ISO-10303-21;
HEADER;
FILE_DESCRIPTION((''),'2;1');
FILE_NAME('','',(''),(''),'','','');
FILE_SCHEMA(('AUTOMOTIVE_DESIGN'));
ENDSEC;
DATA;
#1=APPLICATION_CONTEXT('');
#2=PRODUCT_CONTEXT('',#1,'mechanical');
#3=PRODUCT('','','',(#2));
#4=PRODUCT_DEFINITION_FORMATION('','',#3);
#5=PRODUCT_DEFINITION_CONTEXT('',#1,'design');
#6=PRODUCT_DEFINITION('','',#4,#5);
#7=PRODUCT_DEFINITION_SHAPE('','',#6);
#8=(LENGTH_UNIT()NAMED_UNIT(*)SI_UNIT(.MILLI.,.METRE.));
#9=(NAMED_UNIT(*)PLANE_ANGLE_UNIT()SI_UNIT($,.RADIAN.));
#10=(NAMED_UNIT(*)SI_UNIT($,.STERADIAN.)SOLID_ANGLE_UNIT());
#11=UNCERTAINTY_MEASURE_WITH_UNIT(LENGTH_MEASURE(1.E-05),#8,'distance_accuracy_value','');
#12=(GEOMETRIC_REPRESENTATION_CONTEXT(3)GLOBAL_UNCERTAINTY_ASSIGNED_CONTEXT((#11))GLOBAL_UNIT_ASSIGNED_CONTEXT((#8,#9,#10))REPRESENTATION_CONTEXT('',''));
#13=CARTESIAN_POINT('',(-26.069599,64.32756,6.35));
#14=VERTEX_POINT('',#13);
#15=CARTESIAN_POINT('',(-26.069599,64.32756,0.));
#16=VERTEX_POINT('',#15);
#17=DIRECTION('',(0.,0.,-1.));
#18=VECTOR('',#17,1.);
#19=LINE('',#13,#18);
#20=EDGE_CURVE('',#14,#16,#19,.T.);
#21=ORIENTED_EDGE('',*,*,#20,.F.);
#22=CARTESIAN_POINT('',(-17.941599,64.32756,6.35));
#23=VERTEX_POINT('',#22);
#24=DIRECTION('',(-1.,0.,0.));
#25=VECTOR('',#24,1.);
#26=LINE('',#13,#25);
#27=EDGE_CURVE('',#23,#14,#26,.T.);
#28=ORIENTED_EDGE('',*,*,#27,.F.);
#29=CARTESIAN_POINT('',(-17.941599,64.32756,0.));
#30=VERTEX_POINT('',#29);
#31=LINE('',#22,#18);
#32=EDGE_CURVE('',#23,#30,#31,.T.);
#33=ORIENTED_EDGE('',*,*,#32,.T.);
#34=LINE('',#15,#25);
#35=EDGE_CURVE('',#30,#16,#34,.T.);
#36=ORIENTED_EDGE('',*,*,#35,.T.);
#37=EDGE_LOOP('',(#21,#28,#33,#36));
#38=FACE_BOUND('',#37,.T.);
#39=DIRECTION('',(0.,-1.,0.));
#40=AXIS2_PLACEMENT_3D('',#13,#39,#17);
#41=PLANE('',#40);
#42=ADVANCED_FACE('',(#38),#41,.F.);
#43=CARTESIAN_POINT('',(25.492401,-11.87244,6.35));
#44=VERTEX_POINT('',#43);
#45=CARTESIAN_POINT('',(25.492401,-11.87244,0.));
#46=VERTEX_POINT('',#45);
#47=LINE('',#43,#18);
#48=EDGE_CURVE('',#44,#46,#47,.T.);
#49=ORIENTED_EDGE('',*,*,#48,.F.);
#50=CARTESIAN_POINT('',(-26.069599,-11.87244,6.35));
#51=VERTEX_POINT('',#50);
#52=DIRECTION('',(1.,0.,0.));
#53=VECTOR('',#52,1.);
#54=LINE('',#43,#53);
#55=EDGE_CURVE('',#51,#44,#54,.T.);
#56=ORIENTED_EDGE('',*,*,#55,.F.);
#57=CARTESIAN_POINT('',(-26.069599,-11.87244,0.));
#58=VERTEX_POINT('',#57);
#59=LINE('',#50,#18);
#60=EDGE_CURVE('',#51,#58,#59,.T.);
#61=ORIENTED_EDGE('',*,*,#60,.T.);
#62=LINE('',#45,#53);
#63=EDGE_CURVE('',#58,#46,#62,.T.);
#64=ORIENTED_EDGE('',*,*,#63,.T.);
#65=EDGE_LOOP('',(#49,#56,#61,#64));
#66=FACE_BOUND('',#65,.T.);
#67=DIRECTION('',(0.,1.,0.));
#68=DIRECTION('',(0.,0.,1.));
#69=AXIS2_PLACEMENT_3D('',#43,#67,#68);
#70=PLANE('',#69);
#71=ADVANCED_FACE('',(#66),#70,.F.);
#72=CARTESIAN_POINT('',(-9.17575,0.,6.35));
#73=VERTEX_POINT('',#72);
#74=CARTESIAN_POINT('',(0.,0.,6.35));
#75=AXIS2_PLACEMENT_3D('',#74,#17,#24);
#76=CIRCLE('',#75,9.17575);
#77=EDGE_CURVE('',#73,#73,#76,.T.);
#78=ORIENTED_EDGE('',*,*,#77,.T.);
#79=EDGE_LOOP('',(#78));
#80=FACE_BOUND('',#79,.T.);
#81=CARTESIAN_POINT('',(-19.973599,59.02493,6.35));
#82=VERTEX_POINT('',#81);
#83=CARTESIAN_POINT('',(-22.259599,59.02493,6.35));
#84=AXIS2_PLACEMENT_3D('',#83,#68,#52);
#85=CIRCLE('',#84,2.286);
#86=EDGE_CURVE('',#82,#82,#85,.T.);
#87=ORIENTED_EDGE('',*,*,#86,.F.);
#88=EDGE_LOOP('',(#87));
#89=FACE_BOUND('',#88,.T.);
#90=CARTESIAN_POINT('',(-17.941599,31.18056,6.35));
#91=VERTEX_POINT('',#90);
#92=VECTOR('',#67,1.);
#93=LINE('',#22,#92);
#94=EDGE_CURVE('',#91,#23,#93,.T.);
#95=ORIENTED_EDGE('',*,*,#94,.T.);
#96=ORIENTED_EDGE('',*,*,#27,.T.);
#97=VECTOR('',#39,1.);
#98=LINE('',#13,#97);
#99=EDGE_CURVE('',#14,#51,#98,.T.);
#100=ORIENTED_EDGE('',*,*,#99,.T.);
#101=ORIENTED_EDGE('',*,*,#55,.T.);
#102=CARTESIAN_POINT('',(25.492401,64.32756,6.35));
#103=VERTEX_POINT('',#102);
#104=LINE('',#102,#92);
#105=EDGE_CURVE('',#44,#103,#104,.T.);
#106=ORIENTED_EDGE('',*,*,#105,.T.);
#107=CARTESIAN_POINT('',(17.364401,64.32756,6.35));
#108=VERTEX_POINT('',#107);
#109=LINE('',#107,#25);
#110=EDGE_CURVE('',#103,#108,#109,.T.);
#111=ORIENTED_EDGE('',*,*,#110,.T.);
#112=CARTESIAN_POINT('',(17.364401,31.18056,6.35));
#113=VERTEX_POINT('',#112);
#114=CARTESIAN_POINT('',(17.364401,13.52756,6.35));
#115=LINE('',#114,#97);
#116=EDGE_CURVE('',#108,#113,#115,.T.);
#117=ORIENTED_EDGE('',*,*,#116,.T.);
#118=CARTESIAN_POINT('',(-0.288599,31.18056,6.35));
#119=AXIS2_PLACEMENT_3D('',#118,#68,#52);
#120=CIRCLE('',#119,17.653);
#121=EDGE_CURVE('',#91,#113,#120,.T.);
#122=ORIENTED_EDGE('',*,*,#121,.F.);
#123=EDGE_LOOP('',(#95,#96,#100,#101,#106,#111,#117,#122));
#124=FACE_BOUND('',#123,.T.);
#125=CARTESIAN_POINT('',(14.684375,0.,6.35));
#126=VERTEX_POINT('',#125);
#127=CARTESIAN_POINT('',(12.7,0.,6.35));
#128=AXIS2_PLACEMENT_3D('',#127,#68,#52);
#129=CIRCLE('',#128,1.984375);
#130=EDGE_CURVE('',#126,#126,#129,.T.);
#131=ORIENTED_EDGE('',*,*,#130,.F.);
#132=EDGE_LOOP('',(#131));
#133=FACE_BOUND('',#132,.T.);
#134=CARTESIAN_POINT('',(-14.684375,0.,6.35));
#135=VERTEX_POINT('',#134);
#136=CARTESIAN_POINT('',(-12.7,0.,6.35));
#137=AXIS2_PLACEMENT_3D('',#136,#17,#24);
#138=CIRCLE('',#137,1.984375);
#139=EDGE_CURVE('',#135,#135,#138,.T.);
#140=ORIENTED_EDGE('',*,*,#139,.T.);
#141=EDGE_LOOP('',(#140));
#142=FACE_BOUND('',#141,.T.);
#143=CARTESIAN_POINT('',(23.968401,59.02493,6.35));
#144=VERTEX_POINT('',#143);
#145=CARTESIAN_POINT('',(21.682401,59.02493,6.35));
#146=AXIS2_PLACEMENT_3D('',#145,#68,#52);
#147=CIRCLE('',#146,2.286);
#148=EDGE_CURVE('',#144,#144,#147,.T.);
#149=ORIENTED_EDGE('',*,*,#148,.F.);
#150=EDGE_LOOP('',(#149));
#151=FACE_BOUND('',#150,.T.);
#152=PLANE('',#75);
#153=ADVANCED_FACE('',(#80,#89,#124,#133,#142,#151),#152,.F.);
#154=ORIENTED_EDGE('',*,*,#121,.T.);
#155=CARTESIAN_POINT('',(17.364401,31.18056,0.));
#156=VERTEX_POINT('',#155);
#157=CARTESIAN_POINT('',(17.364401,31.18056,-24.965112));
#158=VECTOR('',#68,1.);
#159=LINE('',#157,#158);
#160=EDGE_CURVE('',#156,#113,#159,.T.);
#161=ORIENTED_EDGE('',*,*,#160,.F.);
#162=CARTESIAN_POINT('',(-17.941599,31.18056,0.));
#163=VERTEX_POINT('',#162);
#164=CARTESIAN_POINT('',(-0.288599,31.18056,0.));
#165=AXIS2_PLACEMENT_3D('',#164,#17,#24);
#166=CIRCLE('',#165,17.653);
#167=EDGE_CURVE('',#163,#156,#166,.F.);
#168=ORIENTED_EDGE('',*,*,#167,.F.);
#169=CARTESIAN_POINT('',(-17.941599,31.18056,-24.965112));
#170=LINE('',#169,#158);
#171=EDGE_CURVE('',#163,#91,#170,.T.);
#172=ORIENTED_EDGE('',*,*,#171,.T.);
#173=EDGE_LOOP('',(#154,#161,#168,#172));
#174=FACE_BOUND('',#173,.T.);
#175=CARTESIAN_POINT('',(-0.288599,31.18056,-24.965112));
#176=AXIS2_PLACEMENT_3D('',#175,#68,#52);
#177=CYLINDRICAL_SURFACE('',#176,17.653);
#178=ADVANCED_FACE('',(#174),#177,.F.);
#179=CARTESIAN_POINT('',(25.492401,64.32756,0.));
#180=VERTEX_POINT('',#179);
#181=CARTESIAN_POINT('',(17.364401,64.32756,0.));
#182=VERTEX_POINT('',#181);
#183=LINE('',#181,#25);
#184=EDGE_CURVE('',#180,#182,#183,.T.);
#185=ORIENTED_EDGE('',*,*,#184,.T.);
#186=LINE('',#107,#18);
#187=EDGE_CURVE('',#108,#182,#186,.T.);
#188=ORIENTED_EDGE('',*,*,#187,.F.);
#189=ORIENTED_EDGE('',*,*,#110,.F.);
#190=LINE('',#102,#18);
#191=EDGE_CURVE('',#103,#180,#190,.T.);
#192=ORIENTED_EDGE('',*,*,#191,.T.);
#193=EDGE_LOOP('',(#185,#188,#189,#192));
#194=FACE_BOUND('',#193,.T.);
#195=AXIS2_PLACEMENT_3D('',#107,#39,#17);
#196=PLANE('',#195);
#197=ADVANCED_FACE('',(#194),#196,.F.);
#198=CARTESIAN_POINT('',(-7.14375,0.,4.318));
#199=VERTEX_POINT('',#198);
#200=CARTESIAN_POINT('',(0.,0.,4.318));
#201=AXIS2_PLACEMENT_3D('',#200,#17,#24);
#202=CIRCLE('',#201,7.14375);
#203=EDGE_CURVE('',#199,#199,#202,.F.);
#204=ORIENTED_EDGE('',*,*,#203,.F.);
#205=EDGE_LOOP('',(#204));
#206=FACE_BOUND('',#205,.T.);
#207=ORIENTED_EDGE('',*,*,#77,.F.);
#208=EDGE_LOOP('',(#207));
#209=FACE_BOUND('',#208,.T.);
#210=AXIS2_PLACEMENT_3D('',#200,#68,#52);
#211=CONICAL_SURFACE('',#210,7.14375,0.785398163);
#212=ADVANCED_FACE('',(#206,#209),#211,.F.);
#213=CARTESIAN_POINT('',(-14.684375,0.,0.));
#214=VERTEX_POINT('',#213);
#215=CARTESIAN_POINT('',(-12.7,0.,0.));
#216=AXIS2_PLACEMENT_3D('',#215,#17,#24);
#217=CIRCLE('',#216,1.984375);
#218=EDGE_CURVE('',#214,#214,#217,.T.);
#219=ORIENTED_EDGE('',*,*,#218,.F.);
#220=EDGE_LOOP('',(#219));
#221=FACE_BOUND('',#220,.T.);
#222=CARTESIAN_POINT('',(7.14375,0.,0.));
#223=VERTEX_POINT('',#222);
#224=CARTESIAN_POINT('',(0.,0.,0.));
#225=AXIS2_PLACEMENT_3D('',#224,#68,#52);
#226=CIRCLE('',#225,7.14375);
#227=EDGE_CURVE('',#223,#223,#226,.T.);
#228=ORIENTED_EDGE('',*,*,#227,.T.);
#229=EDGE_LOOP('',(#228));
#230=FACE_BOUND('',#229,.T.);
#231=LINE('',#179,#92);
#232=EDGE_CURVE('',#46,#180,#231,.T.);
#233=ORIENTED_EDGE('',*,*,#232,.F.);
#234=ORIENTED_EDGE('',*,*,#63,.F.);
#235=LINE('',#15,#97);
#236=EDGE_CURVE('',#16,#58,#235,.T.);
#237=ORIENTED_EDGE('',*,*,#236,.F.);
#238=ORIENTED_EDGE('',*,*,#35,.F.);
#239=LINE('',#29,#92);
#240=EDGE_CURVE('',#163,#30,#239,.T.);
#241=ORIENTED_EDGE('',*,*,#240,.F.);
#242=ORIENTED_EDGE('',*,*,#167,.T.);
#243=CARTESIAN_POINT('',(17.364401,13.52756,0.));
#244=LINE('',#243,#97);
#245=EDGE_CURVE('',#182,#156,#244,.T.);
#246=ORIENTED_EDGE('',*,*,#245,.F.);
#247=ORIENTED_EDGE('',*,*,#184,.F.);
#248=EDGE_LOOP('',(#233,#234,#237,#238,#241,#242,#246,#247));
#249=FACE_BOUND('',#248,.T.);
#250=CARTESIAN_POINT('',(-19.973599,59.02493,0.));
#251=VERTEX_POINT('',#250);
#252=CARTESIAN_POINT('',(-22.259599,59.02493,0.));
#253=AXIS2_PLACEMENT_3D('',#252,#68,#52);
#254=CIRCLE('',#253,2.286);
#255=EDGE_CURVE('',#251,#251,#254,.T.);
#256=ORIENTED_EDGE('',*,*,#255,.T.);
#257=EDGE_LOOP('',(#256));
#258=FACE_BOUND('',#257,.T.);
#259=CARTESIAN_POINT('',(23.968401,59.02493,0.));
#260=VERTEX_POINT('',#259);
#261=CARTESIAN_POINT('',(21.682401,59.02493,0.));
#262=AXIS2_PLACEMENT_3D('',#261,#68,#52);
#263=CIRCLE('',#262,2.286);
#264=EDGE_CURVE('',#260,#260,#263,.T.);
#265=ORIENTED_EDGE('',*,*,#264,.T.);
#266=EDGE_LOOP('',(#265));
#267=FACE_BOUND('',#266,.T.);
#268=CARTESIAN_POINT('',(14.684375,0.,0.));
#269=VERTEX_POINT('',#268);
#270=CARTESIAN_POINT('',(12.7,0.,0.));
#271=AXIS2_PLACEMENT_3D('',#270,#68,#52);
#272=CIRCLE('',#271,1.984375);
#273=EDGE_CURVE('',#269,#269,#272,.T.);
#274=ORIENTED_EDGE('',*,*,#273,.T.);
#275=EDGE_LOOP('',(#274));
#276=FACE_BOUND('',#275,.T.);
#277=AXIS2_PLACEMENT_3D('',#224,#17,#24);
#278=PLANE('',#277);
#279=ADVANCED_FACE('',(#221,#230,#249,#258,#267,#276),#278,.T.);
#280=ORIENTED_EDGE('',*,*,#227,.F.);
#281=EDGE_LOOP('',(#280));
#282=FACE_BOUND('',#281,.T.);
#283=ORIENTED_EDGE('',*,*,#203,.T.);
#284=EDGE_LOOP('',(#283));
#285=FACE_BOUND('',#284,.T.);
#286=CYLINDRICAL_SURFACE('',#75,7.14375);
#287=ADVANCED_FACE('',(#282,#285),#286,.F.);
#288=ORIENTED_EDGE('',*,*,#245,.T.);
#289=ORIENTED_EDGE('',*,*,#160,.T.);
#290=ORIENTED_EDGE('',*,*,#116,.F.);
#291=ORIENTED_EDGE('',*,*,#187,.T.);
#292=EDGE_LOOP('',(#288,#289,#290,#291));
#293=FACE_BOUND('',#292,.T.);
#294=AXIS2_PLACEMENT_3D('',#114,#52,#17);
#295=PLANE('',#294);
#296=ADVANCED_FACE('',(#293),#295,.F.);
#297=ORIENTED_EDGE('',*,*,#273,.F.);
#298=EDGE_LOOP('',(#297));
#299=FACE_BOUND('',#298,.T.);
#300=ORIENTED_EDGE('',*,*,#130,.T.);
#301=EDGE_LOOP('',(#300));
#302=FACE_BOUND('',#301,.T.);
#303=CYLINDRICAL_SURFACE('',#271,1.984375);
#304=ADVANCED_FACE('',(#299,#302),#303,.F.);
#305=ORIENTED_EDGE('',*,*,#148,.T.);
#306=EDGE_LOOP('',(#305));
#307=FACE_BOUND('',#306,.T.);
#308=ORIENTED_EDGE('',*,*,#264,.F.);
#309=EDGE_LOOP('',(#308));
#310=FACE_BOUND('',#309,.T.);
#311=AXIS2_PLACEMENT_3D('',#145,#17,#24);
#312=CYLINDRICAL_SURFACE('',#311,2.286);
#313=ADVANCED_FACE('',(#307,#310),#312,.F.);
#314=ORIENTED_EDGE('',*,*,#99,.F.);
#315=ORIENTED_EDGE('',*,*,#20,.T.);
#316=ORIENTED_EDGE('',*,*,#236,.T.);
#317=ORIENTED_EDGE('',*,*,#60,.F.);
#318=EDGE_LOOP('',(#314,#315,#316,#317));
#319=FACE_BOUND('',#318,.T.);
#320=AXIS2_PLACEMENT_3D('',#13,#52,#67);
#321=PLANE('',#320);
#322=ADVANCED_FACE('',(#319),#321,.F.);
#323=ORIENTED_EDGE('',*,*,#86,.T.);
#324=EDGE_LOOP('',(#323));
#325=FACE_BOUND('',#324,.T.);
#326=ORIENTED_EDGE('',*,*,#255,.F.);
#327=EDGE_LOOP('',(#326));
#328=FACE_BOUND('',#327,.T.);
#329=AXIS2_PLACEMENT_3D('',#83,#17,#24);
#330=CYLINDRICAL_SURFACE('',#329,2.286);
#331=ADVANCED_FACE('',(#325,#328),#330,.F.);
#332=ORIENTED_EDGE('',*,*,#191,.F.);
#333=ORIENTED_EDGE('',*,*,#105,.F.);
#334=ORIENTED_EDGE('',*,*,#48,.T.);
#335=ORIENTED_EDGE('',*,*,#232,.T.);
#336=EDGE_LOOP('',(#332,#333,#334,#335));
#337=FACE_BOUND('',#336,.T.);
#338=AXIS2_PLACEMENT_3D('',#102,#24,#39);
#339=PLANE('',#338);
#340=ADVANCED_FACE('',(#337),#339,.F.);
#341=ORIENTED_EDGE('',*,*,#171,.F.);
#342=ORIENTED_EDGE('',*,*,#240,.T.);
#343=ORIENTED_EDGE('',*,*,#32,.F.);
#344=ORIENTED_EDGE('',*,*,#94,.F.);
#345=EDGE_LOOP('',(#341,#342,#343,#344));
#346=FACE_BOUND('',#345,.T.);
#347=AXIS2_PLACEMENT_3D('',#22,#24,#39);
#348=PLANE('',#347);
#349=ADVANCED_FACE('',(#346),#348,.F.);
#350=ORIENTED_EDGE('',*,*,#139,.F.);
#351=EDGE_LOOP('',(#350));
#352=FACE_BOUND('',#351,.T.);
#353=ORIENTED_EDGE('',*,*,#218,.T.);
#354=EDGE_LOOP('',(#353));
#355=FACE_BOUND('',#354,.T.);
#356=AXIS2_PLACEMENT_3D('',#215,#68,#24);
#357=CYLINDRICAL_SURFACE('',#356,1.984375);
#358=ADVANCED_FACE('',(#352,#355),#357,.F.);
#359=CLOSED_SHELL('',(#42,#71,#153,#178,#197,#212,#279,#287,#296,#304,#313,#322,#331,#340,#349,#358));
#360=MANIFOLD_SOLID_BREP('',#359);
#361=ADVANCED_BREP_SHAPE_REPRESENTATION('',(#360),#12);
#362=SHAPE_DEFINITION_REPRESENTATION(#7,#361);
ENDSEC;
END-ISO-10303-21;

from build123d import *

# Parameters (mm, degrees)
ESQUISSE1_R             = 7.14375
ESQUISSE1_R_2           = 2.286
BOSS_EXTRU_1_DEPTH      = 6.35
ESQUISSE3_R             = 1.984375
ENL_V_MAT_EXTRU_1_DEPTH = 70.699220992
BOSS_EXTRUDE1_DEPTH     = 6.35
CHAMFER1_SIZE           = 2.032


with BuildPart() as part:
    # Esquisse1 → Boss.-Extru.1 (new body)
    with BuildSketch(Plane.XY):
        Polygon((-26.06959879, 64.327559614), (-17.94159879, 64.327559614), (-17.94159879, 13.527559614), (17.36440121, 13.527559614), (17.36440121, 64.327559614), (25.49240121, 64.327559614), (25.49240121, -11.872440386), (-26.06959879, -11.872440386), align=None)
        Circle(ESQUISSE1_R, mode=Mode.SUBTRACT)
        with Locations((21.68240121, 59.024929956)):
            Circle(ESQUISSE1_R_2, mode=Mode.SUBTRACT)
        with Locations((-22.25959879, 59.024929956)):
            Circle(ESQUISSE1_R_2, mode=Mode.SUBTRACT)
    extrude(amount=BOSS_EXTRU_1_DEPTH)

    # Esquisse3 → Enlèv. mat.-Extru.1 (cut, through all)
    with BuildSketch(Plane.XY.offset(6.35)):
        with Locations((12.7, 0)):
            Circle(ESQUISSE3_R)
    enl_v_mat_extru_1 = extrude(amount=-ENL_V_MAT_EXTRU_1_DEPTH, mode=Mode.SUBTRACT)

    # Symétrie1: Enlèv. mat.-Extru.1 across plane
    add(enl_v_mat_extru_1.mirror(Plane(origin=(0, 0, 0), x_dir=(0, 0, 1), z_dir=(1, 0, 0))), mode=Mode.SUBTRACT)

    # Sketch1 → Boss-Extrude1 (add)
    with BuildSketch(Plane.XY.offset(6.35)):
        with BuildLine():
            ThreePointArc((-0.28859879, 13.527559614), (-12.771154798, 18.698003606), (-17.94159879, 31.180559614))
            Line((-17.94159879, 31.180559614), (-17.94159879, 13.527559614))
            Line((-17.94159879, 13.527559614), (-0.28859879, 13.527559614))
        make_face()
        with BuildLine():
            ThreePointArc((17.36440121, 31.180559614), (12.193957219, 18.698003606), (-0.28859879, 13.527559614))
            Line((-0.28859879, 13.527559614), (17.36440121, 13.527559614))
            Line((17.36440121, 13.527559614), (17.36440121, 31.180559614))
        make_face()
    extrude(amount=-BOSS_EXTRUDE1_DEPTH)

    # Chamfer1
    chamfer1_edges = [part.edges().sort_by_distance(p)[0] for p in [
        (-7.14375, 0, 6.35),
    ]]
    chamfer(chamfer1_edges, length=CHAMFER1_SIZE)


solid = part.part
